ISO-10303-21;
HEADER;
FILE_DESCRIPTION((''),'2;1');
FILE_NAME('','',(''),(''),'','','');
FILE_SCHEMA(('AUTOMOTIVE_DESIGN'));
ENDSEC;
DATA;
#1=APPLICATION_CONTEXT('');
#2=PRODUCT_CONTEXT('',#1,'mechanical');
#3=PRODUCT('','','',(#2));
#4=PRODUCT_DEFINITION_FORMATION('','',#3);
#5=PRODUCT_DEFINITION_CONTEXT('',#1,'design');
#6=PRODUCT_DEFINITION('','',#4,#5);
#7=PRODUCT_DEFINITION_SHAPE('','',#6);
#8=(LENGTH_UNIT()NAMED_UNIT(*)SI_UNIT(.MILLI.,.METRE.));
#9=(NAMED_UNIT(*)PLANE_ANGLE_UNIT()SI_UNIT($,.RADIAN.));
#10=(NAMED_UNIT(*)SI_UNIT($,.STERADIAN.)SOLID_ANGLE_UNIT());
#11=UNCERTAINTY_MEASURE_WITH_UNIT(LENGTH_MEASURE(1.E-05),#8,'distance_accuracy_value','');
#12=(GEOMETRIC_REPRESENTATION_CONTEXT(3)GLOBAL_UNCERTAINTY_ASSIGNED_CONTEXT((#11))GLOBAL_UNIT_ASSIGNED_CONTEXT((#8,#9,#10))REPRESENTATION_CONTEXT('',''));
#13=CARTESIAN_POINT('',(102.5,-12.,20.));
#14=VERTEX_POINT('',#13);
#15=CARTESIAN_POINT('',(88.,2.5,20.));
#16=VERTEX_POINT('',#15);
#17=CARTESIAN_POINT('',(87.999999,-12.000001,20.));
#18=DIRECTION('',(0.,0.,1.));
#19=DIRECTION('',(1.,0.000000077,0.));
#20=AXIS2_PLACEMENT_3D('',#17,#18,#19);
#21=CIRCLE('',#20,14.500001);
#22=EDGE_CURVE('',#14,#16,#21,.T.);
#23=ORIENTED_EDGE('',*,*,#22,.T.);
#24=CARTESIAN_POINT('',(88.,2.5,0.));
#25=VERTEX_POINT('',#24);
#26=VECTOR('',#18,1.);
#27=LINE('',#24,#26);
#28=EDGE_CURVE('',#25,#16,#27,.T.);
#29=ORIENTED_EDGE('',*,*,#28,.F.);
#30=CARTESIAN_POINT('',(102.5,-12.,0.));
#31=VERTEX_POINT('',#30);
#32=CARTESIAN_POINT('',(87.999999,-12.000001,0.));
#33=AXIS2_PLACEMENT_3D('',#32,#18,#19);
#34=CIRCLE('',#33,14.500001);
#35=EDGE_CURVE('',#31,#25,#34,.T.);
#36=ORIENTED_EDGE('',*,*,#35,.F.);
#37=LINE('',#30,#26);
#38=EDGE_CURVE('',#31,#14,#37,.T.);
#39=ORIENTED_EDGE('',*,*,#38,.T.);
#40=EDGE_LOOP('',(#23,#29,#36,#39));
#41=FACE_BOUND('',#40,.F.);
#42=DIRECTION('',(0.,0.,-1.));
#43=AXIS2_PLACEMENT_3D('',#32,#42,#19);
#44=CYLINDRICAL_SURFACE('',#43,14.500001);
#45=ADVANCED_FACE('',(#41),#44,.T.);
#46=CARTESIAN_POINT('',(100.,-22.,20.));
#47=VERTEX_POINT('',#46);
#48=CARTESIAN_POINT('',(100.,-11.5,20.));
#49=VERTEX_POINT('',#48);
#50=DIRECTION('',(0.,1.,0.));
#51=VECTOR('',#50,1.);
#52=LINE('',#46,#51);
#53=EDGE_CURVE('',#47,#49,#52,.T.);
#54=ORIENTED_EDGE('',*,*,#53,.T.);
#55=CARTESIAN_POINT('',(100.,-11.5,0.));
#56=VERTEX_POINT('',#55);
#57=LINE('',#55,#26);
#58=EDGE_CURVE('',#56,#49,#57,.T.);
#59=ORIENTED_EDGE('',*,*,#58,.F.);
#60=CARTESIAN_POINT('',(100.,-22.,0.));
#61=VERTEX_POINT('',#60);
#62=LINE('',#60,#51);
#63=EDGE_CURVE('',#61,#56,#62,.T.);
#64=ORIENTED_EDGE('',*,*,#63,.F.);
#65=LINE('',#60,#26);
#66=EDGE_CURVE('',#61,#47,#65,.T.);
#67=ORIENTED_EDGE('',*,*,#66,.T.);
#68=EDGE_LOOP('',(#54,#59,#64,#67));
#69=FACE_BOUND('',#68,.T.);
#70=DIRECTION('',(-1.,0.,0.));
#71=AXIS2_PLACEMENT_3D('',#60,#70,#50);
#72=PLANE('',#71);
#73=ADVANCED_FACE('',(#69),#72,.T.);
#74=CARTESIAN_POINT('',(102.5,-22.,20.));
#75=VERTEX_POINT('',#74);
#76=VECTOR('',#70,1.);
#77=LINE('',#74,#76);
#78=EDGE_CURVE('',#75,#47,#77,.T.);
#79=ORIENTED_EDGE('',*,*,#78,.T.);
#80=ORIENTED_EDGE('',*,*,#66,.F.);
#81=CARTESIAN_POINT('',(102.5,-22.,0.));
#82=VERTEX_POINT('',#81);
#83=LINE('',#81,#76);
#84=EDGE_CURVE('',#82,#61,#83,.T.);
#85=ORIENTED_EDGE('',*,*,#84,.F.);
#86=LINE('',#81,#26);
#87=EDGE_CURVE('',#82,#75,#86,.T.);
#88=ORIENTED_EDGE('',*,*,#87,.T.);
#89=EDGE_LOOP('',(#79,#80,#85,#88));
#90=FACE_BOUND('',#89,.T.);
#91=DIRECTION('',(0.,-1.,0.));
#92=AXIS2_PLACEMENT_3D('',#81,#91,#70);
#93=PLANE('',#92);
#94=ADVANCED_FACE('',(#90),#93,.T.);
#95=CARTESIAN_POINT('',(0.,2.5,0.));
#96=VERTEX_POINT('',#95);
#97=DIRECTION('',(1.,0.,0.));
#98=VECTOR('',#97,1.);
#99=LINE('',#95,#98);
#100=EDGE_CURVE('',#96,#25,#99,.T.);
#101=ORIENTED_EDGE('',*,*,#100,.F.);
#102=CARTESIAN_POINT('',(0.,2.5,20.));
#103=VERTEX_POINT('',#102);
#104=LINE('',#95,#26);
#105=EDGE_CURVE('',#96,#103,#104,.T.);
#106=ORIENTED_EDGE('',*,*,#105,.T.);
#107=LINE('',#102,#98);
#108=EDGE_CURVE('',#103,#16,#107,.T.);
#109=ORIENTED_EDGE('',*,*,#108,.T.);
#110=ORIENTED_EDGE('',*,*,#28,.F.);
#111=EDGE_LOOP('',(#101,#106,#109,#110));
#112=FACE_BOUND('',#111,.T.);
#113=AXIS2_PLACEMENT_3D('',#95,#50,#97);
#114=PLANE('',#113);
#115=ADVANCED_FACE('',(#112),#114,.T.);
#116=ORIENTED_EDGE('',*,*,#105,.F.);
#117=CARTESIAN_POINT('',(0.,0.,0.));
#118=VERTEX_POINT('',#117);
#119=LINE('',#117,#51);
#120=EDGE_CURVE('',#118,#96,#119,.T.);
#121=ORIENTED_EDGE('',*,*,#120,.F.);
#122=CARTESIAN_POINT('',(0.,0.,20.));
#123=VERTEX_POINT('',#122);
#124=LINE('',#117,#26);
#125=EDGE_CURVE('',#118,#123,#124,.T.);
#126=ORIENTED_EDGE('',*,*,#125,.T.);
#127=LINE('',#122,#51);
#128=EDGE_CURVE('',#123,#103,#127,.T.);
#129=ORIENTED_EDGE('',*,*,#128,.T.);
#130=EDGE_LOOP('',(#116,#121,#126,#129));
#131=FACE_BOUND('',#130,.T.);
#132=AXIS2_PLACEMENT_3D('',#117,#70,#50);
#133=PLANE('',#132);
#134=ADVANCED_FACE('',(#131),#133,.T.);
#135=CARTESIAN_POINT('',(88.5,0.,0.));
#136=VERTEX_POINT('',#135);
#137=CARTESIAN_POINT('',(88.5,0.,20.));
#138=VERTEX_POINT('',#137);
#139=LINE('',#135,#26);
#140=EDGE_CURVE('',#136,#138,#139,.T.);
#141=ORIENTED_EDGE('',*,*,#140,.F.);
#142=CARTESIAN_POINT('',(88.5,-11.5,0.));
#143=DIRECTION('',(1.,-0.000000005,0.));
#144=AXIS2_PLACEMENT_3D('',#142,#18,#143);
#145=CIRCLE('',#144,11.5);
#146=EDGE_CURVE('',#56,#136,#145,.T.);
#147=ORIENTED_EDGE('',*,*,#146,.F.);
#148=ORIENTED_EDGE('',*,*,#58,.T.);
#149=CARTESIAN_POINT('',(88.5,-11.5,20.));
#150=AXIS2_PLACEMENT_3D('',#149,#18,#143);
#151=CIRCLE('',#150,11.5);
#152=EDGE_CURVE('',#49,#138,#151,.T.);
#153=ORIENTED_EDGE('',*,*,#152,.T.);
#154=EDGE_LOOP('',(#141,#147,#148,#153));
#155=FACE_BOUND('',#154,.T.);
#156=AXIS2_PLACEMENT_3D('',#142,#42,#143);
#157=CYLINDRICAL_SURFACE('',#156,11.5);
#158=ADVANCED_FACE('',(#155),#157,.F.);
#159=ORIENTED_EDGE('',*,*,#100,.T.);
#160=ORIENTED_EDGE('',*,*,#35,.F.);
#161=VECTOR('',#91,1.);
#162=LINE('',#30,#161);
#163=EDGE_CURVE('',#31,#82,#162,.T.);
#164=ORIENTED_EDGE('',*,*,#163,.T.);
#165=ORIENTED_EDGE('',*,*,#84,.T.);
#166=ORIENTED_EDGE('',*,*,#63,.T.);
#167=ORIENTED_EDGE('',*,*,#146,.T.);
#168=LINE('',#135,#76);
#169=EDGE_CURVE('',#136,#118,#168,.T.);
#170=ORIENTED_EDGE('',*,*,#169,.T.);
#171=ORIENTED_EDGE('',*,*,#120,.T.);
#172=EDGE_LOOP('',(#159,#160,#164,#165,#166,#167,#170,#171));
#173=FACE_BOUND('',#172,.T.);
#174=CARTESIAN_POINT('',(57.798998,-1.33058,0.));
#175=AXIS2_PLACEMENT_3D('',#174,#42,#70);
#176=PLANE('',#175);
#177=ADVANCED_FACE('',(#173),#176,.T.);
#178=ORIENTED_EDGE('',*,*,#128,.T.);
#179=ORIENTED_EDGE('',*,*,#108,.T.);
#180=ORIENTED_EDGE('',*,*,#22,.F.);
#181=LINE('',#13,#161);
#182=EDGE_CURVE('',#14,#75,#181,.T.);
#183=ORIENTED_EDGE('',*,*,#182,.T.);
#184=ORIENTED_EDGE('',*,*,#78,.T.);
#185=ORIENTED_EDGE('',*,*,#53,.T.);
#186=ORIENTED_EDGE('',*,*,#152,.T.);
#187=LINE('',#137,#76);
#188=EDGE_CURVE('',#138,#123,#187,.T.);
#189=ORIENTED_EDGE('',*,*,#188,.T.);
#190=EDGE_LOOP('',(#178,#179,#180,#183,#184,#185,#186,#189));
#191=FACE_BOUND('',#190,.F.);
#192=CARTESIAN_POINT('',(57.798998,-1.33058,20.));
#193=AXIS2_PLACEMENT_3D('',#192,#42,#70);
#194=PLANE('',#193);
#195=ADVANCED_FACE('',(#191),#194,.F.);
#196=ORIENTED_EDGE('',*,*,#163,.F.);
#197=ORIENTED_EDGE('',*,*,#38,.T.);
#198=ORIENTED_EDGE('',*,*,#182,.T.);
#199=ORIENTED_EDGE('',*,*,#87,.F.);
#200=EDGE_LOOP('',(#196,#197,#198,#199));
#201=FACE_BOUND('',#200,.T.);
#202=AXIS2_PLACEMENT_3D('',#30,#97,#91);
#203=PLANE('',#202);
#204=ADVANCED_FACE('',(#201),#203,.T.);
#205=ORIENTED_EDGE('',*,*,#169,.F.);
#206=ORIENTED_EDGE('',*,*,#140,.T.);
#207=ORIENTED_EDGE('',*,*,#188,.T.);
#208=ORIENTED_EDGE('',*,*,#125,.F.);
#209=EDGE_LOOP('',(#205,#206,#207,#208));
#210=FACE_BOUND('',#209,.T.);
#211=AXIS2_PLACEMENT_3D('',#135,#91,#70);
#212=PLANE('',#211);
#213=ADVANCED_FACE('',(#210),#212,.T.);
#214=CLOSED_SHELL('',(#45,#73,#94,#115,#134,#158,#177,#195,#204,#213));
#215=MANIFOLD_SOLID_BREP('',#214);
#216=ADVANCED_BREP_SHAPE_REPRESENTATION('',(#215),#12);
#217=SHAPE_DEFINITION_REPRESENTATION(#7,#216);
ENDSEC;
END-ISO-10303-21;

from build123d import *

# Parameters (mm, degrees)
PAD_DEPTH            = 20
BODY_PLACEMENT_ANGLE = 90


with BuildPart() as part:
    # Sketch → Pad (new body)
    with BuildSketch(Plane.XZ):
        with BuildLine():
            Line((0, 2.5), (88, 2.5))
            ThreePointArc((102.5, -12), (98.253048, -1.746952), (88, 2.5))
            Line((102.5, -12), (102.5, -22))
            Line((102.5, -22), (100, -22))
            Line((100, -22), (100, -11.5))
            ThreePointArc((100, -11.5), (96.631728, -3.368272), (88.5, 0))
            Line((88.5, 0), (0, 0))
            Line((0, 0), (0, 2.5))
        make_face()
    extrude(amount=PAD_DEPTH)


with BuildPart() as part_1:
    # Body placement: moved
    add(part.part.rotate(Axis((0, 0, 0), (-1, 0, 0)), BODY_PLACEMENT_ANGLE))


solid = part_1.part
